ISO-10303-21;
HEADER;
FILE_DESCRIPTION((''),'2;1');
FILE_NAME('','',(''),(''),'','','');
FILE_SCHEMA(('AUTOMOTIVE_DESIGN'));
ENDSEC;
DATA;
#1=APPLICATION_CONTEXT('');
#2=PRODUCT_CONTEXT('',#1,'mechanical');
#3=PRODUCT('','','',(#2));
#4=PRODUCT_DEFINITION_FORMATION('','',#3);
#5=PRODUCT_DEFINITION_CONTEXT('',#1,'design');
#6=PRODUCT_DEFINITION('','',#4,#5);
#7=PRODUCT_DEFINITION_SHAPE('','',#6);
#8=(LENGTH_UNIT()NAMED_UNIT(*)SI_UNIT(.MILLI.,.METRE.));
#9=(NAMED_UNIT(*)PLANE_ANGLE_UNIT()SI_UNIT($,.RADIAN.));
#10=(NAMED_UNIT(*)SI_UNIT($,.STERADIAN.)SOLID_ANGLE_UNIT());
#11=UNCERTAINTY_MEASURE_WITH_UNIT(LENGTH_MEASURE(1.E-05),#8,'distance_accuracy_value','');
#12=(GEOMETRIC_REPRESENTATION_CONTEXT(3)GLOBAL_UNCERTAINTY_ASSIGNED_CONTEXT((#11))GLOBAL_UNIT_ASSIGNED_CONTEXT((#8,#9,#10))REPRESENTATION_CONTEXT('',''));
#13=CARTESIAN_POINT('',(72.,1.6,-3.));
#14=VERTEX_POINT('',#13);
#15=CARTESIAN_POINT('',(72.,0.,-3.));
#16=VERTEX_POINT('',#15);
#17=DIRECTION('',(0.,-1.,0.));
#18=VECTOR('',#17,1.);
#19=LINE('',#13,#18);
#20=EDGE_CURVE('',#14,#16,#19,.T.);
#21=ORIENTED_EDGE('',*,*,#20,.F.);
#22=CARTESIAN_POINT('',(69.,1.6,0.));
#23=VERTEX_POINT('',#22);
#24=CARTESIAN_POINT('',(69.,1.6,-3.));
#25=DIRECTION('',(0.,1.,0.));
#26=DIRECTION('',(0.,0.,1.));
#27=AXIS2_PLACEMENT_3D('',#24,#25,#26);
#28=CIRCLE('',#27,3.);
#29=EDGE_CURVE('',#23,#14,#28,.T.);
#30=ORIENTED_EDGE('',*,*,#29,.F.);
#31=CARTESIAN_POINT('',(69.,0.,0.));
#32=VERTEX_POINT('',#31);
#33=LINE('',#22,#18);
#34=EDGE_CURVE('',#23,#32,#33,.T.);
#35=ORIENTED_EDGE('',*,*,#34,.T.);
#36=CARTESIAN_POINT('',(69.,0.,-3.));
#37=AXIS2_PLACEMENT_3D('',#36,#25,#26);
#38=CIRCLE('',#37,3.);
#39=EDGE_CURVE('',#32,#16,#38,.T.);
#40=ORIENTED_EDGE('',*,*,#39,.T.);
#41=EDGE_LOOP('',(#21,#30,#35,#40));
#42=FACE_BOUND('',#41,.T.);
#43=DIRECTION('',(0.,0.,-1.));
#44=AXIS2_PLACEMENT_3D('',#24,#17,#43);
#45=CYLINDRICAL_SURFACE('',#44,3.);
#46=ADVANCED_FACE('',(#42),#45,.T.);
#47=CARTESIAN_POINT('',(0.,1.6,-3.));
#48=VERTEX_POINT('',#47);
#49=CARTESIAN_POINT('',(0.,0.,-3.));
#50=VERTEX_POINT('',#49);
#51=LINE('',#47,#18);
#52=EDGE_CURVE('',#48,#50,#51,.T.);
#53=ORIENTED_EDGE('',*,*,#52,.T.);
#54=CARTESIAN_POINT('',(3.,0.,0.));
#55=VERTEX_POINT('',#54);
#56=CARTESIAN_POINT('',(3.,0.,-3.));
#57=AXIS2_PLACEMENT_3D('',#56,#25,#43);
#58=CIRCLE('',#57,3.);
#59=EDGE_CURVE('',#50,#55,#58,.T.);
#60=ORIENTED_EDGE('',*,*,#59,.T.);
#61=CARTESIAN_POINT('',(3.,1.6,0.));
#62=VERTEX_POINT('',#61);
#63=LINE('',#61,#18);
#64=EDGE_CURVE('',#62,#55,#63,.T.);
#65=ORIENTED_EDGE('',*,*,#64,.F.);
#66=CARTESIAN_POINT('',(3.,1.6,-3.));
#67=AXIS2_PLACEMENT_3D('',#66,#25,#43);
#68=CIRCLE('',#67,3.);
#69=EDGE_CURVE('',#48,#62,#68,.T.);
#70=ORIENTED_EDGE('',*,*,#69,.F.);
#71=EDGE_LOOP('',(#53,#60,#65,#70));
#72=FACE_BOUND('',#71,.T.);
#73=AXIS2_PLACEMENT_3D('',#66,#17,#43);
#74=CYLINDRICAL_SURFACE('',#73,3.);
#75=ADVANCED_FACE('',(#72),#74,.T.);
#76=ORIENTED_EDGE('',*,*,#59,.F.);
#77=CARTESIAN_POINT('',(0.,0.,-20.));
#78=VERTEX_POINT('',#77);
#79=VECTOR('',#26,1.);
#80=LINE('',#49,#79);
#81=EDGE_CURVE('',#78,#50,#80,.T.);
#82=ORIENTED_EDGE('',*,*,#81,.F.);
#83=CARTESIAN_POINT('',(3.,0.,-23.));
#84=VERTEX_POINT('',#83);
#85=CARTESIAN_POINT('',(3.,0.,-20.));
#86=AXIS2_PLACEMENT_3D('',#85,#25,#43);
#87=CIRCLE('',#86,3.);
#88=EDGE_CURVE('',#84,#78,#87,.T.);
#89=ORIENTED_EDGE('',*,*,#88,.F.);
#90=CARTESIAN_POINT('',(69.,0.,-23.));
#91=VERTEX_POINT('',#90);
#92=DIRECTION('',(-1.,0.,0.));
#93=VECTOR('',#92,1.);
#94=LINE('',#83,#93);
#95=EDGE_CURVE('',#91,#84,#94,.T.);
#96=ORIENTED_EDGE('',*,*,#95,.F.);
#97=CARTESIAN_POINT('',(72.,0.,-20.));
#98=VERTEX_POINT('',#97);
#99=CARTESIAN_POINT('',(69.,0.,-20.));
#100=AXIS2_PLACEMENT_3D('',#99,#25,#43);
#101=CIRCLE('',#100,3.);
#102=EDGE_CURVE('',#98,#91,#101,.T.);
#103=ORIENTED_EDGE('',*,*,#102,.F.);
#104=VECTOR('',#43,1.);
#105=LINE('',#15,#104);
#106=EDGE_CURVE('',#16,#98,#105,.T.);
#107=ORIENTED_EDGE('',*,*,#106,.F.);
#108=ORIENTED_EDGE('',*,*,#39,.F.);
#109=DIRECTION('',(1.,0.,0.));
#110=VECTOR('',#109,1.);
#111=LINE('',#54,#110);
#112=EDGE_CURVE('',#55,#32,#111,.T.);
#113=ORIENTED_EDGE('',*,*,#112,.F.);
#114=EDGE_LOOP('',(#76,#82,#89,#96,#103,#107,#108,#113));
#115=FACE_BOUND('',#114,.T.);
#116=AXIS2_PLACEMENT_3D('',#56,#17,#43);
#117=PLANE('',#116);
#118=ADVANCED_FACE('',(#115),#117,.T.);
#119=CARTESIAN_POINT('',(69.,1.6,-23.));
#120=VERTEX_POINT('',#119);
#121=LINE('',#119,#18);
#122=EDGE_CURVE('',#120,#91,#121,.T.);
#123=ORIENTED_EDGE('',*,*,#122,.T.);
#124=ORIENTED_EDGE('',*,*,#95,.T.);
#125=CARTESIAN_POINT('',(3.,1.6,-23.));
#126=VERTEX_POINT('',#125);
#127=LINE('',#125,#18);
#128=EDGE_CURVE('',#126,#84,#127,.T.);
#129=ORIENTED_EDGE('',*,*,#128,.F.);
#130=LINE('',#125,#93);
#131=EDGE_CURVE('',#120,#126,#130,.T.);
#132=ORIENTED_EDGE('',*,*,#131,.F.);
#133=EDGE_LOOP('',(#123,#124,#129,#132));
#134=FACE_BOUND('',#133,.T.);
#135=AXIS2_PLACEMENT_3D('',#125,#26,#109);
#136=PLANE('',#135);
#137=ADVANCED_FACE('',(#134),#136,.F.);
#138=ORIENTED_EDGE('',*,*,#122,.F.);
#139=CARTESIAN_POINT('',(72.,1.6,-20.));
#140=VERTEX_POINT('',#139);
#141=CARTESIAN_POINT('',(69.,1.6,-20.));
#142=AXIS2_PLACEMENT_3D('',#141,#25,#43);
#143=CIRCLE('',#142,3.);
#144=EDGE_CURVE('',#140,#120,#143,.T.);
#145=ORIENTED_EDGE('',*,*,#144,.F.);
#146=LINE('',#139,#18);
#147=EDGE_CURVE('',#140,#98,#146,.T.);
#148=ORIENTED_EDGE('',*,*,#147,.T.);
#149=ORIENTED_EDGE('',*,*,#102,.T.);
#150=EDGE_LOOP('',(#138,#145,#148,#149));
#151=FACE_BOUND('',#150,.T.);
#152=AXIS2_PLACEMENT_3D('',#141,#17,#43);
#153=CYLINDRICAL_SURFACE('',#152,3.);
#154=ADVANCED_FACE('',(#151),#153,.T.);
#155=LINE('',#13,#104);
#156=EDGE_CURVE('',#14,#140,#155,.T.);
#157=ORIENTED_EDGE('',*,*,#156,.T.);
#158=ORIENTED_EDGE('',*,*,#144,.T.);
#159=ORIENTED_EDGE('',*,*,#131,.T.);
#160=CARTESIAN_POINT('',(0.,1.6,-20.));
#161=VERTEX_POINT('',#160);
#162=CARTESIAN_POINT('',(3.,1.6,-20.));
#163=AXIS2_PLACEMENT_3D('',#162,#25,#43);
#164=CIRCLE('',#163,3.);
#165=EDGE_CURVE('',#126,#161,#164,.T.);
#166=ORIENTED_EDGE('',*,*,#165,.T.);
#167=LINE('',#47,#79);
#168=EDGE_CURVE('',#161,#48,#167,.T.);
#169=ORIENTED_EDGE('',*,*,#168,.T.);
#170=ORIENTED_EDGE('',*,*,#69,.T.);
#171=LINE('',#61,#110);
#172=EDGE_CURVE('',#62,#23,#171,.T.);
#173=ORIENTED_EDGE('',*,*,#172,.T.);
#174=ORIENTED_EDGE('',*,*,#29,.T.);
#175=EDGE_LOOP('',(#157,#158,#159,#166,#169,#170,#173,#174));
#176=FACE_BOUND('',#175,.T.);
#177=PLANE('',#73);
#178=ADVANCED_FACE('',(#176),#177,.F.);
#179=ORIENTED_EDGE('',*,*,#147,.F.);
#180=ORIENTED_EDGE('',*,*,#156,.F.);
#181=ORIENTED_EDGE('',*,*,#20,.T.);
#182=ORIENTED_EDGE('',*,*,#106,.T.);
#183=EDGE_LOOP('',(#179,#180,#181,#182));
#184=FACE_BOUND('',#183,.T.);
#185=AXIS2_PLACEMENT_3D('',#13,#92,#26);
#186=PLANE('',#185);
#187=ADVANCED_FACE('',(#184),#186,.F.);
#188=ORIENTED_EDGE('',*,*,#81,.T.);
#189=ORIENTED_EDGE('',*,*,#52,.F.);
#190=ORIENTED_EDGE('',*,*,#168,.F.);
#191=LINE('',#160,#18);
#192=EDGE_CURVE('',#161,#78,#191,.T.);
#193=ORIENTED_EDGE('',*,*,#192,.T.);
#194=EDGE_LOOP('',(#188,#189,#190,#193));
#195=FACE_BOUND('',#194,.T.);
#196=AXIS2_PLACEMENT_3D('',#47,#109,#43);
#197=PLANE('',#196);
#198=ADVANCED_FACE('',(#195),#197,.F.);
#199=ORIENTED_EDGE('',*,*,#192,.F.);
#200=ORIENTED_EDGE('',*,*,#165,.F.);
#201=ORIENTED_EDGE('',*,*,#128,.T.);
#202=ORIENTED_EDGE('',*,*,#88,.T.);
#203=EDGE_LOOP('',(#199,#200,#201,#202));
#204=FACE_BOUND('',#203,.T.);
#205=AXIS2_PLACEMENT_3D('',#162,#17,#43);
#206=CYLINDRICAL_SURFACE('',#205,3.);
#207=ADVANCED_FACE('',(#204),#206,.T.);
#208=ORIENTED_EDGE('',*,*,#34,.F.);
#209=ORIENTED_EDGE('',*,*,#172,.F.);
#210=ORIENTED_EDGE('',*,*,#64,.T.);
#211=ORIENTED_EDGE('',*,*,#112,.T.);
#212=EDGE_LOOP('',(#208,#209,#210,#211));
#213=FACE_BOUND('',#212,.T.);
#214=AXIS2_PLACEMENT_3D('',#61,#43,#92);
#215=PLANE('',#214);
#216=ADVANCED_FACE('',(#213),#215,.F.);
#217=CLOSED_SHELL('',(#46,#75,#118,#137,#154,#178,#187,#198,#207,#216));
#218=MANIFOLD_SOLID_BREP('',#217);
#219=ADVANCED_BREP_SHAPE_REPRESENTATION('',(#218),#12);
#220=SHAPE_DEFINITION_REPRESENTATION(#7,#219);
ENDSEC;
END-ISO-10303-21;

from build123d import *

# Parameters (mm, degrees)
BOSS_EXTRUDE1_DEPTH = 1.6


with BuildPart() as part:
    # Sketch1 → Boss-Extrude1 (new body)
    with BuildSketch(Plane(origin=(0, 0, 0), x_dir=(1, 0, 0), z_dir=(0, 1, 0))):
        with BuildLine():
            Line((3, 0), (69, 0))
            ThreePointArc((69, 0), (71.121320344, 0.878679656), (72, 3))
            Line((72, 3), (72, 20))
            ThreePointArc((72, 20), (71.121320344, 22.121320344), (69, 23))
            Line((69, 23), (3, 23))
            ThreePointArc((3, 23), (0.878679656, 22.121320344), (0, 20))
            Line((0, 20), (0, 3))
            ThreePointArc((0, 3), (0.878679656, 0.878679656), (3, 0))
        make_face()
    extrude(amount=BOSS_EXTRUDE1_DEPTH)


solid = part.part
